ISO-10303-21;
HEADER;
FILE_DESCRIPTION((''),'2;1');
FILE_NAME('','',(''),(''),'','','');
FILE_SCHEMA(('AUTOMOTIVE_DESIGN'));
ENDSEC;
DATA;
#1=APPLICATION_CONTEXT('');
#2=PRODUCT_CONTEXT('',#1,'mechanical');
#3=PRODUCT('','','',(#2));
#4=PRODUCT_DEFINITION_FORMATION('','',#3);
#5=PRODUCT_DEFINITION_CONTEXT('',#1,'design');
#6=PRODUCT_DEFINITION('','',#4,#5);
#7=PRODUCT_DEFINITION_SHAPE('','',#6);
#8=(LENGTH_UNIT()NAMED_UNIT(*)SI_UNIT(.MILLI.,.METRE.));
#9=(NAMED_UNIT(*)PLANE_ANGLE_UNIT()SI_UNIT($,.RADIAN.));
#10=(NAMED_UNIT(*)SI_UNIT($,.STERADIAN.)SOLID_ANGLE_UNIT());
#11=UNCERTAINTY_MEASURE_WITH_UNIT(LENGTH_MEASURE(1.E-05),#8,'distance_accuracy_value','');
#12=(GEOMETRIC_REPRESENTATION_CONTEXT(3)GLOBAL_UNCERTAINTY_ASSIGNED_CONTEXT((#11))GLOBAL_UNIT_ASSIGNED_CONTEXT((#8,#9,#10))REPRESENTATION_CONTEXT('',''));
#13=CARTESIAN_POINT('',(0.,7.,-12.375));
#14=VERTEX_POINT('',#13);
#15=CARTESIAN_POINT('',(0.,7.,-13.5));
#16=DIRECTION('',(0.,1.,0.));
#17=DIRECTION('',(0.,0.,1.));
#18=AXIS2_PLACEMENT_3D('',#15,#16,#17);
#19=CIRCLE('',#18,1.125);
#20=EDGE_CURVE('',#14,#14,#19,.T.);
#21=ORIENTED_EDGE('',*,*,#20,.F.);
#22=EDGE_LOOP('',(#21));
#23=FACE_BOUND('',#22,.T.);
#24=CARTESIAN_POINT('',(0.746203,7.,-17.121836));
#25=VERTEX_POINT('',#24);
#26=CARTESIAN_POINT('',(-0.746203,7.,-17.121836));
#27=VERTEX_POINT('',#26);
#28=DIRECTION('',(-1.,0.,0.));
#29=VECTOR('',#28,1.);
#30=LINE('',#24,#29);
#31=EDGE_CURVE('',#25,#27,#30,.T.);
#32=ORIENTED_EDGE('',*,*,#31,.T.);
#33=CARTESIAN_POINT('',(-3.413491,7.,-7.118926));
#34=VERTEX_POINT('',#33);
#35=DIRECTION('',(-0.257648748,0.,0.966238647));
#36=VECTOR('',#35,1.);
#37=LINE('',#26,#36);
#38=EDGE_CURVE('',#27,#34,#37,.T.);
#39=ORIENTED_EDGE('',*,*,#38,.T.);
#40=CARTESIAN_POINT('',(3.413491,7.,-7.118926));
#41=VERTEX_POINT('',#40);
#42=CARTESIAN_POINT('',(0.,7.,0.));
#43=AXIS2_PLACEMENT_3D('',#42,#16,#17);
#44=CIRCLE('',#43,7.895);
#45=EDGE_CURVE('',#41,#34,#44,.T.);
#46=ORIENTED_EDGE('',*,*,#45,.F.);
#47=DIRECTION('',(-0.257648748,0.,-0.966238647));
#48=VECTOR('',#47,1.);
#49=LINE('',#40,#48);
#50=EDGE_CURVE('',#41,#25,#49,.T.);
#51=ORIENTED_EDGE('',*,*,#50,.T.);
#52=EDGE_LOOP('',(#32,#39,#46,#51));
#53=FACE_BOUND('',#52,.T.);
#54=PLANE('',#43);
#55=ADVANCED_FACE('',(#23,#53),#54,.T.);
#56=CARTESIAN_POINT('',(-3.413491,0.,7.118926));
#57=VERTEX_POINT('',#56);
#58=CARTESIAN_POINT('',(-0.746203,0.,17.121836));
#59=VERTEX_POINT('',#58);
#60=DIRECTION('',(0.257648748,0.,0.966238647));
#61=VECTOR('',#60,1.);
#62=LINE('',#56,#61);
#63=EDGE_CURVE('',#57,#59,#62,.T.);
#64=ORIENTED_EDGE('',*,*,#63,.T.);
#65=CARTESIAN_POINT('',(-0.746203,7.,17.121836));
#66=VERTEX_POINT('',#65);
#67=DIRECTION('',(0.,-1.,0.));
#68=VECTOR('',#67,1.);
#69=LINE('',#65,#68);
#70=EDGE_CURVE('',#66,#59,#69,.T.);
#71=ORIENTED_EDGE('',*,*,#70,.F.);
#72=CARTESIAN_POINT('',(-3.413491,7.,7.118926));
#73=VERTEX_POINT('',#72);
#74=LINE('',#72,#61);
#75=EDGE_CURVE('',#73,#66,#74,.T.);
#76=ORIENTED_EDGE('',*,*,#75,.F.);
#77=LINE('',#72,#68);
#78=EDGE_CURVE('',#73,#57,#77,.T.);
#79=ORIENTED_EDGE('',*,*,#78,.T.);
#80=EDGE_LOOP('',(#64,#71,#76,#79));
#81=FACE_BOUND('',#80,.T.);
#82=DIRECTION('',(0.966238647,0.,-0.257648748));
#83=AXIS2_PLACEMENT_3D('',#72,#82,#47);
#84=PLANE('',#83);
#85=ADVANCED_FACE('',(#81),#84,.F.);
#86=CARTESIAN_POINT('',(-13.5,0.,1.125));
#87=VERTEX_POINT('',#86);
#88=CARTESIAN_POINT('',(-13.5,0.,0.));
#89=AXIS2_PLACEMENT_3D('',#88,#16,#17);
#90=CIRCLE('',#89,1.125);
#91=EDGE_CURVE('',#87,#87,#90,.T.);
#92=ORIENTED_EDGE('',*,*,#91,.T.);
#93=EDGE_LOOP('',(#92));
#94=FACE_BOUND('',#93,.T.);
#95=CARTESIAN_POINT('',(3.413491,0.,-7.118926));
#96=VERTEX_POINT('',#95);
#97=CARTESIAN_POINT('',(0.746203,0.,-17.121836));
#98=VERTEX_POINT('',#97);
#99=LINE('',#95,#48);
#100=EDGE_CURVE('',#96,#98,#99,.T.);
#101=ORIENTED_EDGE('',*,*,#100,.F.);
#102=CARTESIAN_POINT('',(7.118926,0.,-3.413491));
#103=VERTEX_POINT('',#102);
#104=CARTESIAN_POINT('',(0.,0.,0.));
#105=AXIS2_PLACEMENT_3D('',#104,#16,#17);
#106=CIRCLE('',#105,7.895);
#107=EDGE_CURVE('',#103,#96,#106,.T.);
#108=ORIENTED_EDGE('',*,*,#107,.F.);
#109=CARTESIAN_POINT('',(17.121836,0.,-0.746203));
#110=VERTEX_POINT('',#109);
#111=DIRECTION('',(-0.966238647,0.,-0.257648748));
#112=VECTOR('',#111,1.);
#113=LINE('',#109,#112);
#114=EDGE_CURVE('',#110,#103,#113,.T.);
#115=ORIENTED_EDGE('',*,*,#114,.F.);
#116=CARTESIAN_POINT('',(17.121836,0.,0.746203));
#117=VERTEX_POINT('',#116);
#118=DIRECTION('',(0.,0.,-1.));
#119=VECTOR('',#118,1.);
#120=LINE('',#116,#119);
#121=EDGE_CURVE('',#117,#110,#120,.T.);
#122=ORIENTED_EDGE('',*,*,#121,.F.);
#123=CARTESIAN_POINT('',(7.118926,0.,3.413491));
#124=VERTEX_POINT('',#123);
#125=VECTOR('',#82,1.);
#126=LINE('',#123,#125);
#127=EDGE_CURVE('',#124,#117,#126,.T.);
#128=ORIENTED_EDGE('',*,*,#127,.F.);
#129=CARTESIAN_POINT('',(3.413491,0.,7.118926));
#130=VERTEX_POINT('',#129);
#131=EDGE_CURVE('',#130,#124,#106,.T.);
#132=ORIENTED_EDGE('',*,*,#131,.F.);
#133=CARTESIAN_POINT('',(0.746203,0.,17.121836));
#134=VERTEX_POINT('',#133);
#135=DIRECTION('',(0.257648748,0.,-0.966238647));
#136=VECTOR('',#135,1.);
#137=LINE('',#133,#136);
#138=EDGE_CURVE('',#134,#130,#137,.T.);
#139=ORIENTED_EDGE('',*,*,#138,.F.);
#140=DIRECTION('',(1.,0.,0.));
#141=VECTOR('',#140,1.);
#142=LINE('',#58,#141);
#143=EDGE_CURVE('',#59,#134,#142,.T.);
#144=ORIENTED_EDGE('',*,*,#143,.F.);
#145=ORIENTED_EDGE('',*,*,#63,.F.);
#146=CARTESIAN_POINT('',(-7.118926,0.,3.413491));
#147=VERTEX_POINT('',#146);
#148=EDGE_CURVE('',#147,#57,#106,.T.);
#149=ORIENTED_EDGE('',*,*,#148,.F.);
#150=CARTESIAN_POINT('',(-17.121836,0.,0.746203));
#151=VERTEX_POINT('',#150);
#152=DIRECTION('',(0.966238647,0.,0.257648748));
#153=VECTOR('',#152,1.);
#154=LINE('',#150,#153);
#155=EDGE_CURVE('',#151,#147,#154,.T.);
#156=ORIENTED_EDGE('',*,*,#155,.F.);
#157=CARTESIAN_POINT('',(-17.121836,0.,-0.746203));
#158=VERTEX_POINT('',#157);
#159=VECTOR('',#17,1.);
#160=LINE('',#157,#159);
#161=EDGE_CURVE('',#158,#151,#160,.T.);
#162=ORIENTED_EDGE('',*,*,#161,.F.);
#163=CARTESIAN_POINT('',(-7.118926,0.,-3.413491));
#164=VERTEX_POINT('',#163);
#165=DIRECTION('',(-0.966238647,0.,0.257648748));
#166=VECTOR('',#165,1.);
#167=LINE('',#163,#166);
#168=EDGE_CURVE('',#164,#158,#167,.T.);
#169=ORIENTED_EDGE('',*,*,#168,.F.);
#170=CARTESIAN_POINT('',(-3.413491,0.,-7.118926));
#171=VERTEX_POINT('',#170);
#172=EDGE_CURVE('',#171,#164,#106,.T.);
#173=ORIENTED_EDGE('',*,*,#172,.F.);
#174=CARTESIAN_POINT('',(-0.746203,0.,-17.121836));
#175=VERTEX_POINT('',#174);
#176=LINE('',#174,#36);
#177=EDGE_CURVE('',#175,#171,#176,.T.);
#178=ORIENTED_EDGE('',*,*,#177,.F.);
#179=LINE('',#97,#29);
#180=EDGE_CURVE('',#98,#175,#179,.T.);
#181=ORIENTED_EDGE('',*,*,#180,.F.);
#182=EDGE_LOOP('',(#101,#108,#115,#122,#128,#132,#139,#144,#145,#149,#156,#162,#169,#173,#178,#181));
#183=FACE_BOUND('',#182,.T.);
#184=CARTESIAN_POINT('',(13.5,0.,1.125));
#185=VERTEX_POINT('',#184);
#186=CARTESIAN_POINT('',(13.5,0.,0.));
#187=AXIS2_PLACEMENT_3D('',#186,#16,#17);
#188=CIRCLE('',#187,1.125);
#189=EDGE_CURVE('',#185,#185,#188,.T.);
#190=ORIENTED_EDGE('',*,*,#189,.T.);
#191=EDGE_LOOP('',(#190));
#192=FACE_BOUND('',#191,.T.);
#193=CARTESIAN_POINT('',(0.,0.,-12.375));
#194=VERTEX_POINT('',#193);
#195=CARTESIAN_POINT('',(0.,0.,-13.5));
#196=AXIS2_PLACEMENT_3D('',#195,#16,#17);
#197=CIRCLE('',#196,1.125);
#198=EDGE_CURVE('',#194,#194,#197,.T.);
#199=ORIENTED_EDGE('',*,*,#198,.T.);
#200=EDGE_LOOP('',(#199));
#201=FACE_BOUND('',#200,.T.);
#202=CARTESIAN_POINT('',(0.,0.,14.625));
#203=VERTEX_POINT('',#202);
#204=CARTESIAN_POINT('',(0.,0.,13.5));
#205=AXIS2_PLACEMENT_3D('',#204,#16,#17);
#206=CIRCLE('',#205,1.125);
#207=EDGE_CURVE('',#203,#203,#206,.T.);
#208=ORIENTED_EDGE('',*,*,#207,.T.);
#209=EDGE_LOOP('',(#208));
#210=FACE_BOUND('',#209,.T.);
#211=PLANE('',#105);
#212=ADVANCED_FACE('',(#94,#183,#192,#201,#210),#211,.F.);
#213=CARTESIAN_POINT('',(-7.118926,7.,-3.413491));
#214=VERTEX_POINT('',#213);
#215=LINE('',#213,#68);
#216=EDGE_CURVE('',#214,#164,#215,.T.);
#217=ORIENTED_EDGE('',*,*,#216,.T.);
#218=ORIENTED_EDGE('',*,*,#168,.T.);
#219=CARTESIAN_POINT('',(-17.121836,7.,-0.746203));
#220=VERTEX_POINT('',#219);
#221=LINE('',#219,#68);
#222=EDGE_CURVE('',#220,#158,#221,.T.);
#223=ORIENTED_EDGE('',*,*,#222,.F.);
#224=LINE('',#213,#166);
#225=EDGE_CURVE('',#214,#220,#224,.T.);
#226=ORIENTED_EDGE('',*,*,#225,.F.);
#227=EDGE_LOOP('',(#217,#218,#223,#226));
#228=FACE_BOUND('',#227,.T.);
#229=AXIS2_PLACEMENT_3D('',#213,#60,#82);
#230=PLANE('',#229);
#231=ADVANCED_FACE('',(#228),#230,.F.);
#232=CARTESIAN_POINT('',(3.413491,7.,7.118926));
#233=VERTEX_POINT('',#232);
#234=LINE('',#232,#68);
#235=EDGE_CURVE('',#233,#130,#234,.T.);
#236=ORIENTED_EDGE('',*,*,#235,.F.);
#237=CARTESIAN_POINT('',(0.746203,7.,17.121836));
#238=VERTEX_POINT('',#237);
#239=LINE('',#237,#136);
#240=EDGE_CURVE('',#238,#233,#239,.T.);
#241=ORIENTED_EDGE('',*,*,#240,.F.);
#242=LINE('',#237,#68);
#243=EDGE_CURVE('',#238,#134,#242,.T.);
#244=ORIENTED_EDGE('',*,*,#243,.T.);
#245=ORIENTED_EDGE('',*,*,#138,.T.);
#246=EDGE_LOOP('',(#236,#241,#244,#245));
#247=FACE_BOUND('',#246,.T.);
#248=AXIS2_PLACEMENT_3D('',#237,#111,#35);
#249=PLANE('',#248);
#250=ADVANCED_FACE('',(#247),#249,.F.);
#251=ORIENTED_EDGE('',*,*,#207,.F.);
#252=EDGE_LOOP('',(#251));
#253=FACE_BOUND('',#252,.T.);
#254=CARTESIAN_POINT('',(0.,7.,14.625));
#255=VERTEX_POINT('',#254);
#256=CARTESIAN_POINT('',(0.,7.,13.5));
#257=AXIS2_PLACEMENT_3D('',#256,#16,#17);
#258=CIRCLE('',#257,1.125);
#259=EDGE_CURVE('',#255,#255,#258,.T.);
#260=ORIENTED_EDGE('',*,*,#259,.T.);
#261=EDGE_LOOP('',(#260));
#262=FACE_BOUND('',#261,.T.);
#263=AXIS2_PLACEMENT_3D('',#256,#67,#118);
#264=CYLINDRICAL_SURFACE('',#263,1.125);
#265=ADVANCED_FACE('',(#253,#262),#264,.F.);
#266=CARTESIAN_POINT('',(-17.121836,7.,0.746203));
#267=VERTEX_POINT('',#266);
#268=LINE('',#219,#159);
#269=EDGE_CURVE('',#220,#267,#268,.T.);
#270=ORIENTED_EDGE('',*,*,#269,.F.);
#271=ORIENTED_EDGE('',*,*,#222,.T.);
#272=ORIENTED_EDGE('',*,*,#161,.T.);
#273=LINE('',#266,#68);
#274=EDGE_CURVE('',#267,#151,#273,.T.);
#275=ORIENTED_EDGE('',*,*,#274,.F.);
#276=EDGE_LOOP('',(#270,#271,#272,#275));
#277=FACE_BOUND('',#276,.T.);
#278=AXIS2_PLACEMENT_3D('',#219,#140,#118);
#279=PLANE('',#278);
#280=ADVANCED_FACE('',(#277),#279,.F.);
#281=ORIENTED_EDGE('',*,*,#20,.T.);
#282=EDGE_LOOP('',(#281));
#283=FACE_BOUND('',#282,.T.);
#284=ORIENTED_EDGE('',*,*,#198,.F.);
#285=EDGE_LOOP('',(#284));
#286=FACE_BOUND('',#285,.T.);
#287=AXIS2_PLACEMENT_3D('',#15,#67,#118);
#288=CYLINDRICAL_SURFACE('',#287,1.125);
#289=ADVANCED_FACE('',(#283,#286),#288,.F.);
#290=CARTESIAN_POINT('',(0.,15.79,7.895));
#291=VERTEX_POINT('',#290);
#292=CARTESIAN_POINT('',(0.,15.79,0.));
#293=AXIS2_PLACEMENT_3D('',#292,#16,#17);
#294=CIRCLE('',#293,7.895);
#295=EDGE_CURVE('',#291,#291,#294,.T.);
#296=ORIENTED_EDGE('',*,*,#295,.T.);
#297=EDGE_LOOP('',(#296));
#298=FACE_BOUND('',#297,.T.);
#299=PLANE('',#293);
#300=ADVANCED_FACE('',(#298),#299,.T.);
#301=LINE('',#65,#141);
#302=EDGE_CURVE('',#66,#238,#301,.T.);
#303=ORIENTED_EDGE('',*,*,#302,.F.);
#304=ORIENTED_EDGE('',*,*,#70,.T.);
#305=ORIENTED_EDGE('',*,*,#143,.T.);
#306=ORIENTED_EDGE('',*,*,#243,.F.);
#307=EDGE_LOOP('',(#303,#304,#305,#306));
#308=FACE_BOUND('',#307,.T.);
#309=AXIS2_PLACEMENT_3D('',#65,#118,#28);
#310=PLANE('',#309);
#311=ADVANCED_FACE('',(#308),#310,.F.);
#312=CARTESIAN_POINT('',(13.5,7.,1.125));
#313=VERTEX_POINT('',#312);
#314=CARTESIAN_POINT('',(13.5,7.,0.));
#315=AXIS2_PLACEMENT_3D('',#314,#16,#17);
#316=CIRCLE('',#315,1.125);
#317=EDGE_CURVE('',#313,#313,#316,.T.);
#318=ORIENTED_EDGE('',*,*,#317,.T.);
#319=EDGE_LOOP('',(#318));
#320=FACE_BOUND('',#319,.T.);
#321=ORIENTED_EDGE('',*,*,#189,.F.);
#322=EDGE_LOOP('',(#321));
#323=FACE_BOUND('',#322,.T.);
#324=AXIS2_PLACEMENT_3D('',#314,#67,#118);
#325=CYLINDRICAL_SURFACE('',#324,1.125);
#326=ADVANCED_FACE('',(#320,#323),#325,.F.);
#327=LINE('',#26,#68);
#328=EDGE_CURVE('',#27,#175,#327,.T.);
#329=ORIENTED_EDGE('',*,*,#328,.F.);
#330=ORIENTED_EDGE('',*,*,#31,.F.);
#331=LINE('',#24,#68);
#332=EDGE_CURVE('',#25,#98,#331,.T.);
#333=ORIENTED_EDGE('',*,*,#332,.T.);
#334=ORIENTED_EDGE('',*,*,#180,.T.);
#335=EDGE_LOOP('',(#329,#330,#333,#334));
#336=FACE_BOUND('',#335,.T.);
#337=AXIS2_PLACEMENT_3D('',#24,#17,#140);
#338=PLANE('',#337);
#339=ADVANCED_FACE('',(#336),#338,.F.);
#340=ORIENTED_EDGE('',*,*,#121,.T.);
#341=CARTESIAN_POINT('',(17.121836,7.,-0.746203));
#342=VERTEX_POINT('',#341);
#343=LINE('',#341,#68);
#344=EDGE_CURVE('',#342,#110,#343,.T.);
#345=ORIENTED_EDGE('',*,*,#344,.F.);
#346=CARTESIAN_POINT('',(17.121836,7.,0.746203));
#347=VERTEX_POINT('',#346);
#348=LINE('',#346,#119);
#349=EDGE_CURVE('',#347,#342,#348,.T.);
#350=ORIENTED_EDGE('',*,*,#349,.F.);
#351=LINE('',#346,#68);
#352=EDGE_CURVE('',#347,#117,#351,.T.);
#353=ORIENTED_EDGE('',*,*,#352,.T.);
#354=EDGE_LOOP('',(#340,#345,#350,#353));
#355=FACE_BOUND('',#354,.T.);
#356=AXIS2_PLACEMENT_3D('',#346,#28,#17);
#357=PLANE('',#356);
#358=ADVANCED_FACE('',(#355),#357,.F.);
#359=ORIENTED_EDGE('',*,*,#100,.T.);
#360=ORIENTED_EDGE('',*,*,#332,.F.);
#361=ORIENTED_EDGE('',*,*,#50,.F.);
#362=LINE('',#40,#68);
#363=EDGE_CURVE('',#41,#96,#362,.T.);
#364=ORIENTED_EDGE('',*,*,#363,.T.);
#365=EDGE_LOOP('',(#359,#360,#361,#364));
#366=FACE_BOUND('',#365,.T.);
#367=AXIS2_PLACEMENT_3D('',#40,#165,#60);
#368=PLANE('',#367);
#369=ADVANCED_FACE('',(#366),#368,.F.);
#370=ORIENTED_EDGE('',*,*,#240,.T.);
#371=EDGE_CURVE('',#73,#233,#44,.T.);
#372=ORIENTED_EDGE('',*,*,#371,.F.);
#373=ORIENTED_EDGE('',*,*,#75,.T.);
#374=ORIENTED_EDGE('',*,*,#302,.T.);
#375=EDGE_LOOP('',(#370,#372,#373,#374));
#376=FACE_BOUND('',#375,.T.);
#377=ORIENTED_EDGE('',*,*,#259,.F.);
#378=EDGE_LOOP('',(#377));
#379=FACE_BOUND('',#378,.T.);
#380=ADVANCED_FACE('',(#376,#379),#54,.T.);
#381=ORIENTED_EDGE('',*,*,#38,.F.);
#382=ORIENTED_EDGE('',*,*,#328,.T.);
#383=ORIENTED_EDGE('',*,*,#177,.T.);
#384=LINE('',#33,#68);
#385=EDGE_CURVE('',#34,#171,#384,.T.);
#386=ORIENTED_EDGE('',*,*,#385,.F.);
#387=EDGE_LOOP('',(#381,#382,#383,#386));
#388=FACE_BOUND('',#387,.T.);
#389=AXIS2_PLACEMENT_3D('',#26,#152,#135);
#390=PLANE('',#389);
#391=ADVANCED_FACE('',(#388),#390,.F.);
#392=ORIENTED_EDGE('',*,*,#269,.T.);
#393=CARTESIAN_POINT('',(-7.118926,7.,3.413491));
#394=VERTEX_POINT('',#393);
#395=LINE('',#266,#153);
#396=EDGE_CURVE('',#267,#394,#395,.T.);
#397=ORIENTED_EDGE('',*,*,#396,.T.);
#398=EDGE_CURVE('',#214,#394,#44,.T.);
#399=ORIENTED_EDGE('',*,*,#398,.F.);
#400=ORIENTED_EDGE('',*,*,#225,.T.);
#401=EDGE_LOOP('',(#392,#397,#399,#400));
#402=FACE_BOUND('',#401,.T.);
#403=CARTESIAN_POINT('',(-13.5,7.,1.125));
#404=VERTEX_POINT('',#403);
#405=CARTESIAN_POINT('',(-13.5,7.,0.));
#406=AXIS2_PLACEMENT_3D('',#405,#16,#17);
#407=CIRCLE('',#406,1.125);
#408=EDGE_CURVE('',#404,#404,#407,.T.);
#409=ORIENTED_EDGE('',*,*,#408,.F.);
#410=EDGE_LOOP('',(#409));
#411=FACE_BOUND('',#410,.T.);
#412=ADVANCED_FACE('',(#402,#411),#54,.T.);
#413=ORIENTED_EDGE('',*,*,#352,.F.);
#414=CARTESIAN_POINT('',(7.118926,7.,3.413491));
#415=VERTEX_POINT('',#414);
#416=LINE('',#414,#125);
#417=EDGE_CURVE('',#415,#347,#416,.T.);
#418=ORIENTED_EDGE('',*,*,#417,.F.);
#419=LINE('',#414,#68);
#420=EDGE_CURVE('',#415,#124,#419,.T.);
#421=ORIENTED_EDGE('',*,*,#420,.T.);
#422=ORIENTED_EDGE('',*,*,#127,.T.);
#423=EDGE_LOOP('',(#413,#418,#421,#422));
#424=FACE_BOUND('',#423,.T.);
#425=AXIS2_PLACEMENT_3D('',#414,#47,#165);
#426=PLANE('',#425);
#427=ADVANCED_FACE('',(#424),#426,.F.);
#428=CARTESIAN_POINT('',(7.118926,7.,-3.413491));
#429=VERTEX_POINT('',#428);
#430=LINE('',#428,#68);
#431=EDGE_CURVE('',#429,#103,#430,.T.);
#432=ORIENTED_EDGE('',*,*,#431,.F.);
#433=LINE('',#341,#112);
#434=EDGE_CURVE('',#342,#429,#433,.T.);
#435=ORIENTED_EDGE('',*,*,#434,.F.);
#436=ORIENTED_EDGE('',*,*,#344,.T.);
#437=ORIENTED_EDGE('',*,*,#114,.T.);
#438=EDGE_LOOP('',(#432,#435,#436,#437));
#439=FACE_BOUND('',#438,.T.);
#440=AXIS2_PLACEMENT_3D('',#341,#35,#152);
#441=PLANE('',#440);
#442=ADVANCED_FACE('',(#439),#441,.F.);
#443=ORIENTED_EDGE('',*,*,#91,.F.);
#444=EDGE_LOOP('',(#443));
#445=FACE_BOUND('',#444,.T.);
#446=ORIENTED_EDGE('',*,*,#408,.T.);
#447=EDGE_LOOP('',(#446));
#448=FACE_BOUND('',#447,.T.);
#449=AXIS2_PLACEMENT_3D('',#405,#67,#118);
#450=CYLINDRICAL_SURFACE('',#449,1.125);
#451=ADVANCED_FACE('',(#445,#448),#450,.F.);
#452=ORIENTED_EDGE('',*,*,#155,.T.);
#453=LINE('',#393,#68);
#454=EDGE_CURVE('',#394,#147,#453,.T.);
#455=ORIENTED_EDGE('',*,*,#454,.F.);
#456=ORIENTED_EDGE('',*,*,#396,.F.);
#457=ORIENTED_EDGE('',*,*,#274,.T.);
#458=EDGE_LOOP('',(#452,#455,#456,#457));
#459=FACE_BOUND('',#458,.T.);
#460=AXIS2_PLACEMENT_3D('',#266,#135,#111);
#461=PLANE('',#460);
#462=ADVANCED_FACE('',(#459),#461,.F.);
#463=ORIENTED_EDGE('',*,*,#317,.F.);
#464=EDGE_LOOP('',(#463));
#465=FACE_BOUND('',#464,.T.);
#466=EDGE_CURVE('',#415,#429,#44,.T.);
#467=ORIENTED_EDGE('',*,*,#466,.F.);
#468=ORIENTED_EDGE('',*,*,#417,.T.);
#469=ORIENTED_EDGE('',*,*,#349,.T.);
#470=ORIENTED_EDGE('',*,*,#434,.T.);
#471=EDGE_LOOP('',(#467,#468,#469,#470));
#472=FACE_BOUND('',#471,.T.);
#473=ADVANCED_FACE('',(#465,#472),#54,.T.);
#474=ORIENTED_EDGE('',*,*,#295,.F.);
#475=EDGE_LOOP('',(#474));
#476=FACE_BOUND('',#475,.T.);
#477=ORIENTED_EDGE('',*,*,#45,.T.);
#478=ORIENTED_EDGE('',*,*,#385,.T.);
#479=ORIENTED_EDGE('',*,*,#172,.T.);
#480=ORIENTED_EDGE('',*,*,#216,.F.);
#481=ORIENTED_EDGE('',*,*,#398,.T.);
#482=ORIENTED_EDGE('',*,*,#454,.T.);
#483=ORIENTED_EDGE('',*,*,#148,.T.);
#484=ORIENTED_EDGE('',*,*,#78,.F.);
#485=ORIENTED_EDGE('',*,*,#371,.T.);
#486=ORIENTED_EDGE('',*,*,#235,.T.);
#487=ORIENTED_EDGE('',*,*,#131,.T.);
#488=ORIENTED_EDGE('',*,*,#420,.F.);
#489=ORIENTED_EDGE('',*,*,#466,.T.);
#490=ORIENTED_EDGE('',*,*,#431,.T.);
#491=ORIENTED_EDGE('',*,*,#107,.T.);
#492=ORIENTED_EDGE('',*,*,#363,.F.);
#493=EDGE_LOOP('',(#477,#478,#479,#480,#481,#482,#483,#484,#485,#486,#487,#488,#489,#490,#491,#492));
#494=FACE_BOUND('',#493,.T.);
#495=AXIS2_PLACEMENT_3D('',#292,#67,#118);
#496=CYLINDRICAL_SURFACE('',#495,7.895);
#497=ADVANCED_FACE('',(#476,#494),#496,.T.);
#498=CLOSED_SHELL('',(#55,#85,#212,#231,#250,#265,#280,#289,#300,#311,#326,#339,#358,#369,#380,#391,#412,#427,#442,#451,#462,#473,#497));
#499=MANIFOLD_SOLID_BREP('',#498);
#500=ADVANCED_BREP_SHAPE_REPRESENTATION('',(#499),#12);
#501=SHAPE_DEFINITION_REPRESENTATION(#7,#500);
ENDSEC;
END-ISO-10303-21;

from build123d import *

# Parameters (mm, degrees)
SKETCH1_R           = 7.895
BOSS_EXTRUDE1_DEPTH = 15.79
SKETCH2_R           = 1.125
BOSS_EXTRUDE2_DEPTH = 7


with BuildPart() as part:
    # Sketch1 → Boss-Extrude1 (new body)
    with BuildSketch(Plane(origin=(0, 0, 0), x_dir=(1, 0, 0), z_dir=(0, 1, 0))):
        Circle(SKETCH1_R)
    extrude(amount=BOSS_EXTRUDE1_DEPTH)

    # Sketch2 → Boss-Extrude2 (add)
    with BuildSketch(Plane(origin=(0, 0, 0), x_dir=(1, 0, 0), z_dir=(0, 1, 0))):
        Polygon((7.118925688, -3.413491182), (17.121835898, -0.746202613), (17.121835898, 0.746202613), (7.118925688, 3.413491182), (3.413491182, 7.118925688), (0.746202613, 17.121835898), (-0.746202613, 17.121835898), (-3.413491182, 7.118925688), (-7.118925688, 3.413491182), (-17.121835898, 0.746202613), (-17.121835898, -0.746202613), (-7.118925688, -3.413491182), (-3.413491182, -7.118925688), (-0.746202613, -17.121835898), (0.746202613, -17.121835898), (3.413491182, -7.118925688), align=None)
        with Locations((13.5, 0)):
            Circle(SKETCH2_R, mode=Mode.SUBTRACT)
        with Locations((0, -13.5)):
            Circle(SKETCH2_R, mode=Mode.SUBTRACT)
        with Locations((-13.5, 0)):
            Circle(SKETCH2_R, mode=Mode.SUBTRACT)
        with Locations((0, 13.5)):
            Circle(SKETCH2_R, mode=Mode.SUBTRACT)
    extrude(amount=BOSS_EXTRUDE2_DEPTH)


solid = part.part
